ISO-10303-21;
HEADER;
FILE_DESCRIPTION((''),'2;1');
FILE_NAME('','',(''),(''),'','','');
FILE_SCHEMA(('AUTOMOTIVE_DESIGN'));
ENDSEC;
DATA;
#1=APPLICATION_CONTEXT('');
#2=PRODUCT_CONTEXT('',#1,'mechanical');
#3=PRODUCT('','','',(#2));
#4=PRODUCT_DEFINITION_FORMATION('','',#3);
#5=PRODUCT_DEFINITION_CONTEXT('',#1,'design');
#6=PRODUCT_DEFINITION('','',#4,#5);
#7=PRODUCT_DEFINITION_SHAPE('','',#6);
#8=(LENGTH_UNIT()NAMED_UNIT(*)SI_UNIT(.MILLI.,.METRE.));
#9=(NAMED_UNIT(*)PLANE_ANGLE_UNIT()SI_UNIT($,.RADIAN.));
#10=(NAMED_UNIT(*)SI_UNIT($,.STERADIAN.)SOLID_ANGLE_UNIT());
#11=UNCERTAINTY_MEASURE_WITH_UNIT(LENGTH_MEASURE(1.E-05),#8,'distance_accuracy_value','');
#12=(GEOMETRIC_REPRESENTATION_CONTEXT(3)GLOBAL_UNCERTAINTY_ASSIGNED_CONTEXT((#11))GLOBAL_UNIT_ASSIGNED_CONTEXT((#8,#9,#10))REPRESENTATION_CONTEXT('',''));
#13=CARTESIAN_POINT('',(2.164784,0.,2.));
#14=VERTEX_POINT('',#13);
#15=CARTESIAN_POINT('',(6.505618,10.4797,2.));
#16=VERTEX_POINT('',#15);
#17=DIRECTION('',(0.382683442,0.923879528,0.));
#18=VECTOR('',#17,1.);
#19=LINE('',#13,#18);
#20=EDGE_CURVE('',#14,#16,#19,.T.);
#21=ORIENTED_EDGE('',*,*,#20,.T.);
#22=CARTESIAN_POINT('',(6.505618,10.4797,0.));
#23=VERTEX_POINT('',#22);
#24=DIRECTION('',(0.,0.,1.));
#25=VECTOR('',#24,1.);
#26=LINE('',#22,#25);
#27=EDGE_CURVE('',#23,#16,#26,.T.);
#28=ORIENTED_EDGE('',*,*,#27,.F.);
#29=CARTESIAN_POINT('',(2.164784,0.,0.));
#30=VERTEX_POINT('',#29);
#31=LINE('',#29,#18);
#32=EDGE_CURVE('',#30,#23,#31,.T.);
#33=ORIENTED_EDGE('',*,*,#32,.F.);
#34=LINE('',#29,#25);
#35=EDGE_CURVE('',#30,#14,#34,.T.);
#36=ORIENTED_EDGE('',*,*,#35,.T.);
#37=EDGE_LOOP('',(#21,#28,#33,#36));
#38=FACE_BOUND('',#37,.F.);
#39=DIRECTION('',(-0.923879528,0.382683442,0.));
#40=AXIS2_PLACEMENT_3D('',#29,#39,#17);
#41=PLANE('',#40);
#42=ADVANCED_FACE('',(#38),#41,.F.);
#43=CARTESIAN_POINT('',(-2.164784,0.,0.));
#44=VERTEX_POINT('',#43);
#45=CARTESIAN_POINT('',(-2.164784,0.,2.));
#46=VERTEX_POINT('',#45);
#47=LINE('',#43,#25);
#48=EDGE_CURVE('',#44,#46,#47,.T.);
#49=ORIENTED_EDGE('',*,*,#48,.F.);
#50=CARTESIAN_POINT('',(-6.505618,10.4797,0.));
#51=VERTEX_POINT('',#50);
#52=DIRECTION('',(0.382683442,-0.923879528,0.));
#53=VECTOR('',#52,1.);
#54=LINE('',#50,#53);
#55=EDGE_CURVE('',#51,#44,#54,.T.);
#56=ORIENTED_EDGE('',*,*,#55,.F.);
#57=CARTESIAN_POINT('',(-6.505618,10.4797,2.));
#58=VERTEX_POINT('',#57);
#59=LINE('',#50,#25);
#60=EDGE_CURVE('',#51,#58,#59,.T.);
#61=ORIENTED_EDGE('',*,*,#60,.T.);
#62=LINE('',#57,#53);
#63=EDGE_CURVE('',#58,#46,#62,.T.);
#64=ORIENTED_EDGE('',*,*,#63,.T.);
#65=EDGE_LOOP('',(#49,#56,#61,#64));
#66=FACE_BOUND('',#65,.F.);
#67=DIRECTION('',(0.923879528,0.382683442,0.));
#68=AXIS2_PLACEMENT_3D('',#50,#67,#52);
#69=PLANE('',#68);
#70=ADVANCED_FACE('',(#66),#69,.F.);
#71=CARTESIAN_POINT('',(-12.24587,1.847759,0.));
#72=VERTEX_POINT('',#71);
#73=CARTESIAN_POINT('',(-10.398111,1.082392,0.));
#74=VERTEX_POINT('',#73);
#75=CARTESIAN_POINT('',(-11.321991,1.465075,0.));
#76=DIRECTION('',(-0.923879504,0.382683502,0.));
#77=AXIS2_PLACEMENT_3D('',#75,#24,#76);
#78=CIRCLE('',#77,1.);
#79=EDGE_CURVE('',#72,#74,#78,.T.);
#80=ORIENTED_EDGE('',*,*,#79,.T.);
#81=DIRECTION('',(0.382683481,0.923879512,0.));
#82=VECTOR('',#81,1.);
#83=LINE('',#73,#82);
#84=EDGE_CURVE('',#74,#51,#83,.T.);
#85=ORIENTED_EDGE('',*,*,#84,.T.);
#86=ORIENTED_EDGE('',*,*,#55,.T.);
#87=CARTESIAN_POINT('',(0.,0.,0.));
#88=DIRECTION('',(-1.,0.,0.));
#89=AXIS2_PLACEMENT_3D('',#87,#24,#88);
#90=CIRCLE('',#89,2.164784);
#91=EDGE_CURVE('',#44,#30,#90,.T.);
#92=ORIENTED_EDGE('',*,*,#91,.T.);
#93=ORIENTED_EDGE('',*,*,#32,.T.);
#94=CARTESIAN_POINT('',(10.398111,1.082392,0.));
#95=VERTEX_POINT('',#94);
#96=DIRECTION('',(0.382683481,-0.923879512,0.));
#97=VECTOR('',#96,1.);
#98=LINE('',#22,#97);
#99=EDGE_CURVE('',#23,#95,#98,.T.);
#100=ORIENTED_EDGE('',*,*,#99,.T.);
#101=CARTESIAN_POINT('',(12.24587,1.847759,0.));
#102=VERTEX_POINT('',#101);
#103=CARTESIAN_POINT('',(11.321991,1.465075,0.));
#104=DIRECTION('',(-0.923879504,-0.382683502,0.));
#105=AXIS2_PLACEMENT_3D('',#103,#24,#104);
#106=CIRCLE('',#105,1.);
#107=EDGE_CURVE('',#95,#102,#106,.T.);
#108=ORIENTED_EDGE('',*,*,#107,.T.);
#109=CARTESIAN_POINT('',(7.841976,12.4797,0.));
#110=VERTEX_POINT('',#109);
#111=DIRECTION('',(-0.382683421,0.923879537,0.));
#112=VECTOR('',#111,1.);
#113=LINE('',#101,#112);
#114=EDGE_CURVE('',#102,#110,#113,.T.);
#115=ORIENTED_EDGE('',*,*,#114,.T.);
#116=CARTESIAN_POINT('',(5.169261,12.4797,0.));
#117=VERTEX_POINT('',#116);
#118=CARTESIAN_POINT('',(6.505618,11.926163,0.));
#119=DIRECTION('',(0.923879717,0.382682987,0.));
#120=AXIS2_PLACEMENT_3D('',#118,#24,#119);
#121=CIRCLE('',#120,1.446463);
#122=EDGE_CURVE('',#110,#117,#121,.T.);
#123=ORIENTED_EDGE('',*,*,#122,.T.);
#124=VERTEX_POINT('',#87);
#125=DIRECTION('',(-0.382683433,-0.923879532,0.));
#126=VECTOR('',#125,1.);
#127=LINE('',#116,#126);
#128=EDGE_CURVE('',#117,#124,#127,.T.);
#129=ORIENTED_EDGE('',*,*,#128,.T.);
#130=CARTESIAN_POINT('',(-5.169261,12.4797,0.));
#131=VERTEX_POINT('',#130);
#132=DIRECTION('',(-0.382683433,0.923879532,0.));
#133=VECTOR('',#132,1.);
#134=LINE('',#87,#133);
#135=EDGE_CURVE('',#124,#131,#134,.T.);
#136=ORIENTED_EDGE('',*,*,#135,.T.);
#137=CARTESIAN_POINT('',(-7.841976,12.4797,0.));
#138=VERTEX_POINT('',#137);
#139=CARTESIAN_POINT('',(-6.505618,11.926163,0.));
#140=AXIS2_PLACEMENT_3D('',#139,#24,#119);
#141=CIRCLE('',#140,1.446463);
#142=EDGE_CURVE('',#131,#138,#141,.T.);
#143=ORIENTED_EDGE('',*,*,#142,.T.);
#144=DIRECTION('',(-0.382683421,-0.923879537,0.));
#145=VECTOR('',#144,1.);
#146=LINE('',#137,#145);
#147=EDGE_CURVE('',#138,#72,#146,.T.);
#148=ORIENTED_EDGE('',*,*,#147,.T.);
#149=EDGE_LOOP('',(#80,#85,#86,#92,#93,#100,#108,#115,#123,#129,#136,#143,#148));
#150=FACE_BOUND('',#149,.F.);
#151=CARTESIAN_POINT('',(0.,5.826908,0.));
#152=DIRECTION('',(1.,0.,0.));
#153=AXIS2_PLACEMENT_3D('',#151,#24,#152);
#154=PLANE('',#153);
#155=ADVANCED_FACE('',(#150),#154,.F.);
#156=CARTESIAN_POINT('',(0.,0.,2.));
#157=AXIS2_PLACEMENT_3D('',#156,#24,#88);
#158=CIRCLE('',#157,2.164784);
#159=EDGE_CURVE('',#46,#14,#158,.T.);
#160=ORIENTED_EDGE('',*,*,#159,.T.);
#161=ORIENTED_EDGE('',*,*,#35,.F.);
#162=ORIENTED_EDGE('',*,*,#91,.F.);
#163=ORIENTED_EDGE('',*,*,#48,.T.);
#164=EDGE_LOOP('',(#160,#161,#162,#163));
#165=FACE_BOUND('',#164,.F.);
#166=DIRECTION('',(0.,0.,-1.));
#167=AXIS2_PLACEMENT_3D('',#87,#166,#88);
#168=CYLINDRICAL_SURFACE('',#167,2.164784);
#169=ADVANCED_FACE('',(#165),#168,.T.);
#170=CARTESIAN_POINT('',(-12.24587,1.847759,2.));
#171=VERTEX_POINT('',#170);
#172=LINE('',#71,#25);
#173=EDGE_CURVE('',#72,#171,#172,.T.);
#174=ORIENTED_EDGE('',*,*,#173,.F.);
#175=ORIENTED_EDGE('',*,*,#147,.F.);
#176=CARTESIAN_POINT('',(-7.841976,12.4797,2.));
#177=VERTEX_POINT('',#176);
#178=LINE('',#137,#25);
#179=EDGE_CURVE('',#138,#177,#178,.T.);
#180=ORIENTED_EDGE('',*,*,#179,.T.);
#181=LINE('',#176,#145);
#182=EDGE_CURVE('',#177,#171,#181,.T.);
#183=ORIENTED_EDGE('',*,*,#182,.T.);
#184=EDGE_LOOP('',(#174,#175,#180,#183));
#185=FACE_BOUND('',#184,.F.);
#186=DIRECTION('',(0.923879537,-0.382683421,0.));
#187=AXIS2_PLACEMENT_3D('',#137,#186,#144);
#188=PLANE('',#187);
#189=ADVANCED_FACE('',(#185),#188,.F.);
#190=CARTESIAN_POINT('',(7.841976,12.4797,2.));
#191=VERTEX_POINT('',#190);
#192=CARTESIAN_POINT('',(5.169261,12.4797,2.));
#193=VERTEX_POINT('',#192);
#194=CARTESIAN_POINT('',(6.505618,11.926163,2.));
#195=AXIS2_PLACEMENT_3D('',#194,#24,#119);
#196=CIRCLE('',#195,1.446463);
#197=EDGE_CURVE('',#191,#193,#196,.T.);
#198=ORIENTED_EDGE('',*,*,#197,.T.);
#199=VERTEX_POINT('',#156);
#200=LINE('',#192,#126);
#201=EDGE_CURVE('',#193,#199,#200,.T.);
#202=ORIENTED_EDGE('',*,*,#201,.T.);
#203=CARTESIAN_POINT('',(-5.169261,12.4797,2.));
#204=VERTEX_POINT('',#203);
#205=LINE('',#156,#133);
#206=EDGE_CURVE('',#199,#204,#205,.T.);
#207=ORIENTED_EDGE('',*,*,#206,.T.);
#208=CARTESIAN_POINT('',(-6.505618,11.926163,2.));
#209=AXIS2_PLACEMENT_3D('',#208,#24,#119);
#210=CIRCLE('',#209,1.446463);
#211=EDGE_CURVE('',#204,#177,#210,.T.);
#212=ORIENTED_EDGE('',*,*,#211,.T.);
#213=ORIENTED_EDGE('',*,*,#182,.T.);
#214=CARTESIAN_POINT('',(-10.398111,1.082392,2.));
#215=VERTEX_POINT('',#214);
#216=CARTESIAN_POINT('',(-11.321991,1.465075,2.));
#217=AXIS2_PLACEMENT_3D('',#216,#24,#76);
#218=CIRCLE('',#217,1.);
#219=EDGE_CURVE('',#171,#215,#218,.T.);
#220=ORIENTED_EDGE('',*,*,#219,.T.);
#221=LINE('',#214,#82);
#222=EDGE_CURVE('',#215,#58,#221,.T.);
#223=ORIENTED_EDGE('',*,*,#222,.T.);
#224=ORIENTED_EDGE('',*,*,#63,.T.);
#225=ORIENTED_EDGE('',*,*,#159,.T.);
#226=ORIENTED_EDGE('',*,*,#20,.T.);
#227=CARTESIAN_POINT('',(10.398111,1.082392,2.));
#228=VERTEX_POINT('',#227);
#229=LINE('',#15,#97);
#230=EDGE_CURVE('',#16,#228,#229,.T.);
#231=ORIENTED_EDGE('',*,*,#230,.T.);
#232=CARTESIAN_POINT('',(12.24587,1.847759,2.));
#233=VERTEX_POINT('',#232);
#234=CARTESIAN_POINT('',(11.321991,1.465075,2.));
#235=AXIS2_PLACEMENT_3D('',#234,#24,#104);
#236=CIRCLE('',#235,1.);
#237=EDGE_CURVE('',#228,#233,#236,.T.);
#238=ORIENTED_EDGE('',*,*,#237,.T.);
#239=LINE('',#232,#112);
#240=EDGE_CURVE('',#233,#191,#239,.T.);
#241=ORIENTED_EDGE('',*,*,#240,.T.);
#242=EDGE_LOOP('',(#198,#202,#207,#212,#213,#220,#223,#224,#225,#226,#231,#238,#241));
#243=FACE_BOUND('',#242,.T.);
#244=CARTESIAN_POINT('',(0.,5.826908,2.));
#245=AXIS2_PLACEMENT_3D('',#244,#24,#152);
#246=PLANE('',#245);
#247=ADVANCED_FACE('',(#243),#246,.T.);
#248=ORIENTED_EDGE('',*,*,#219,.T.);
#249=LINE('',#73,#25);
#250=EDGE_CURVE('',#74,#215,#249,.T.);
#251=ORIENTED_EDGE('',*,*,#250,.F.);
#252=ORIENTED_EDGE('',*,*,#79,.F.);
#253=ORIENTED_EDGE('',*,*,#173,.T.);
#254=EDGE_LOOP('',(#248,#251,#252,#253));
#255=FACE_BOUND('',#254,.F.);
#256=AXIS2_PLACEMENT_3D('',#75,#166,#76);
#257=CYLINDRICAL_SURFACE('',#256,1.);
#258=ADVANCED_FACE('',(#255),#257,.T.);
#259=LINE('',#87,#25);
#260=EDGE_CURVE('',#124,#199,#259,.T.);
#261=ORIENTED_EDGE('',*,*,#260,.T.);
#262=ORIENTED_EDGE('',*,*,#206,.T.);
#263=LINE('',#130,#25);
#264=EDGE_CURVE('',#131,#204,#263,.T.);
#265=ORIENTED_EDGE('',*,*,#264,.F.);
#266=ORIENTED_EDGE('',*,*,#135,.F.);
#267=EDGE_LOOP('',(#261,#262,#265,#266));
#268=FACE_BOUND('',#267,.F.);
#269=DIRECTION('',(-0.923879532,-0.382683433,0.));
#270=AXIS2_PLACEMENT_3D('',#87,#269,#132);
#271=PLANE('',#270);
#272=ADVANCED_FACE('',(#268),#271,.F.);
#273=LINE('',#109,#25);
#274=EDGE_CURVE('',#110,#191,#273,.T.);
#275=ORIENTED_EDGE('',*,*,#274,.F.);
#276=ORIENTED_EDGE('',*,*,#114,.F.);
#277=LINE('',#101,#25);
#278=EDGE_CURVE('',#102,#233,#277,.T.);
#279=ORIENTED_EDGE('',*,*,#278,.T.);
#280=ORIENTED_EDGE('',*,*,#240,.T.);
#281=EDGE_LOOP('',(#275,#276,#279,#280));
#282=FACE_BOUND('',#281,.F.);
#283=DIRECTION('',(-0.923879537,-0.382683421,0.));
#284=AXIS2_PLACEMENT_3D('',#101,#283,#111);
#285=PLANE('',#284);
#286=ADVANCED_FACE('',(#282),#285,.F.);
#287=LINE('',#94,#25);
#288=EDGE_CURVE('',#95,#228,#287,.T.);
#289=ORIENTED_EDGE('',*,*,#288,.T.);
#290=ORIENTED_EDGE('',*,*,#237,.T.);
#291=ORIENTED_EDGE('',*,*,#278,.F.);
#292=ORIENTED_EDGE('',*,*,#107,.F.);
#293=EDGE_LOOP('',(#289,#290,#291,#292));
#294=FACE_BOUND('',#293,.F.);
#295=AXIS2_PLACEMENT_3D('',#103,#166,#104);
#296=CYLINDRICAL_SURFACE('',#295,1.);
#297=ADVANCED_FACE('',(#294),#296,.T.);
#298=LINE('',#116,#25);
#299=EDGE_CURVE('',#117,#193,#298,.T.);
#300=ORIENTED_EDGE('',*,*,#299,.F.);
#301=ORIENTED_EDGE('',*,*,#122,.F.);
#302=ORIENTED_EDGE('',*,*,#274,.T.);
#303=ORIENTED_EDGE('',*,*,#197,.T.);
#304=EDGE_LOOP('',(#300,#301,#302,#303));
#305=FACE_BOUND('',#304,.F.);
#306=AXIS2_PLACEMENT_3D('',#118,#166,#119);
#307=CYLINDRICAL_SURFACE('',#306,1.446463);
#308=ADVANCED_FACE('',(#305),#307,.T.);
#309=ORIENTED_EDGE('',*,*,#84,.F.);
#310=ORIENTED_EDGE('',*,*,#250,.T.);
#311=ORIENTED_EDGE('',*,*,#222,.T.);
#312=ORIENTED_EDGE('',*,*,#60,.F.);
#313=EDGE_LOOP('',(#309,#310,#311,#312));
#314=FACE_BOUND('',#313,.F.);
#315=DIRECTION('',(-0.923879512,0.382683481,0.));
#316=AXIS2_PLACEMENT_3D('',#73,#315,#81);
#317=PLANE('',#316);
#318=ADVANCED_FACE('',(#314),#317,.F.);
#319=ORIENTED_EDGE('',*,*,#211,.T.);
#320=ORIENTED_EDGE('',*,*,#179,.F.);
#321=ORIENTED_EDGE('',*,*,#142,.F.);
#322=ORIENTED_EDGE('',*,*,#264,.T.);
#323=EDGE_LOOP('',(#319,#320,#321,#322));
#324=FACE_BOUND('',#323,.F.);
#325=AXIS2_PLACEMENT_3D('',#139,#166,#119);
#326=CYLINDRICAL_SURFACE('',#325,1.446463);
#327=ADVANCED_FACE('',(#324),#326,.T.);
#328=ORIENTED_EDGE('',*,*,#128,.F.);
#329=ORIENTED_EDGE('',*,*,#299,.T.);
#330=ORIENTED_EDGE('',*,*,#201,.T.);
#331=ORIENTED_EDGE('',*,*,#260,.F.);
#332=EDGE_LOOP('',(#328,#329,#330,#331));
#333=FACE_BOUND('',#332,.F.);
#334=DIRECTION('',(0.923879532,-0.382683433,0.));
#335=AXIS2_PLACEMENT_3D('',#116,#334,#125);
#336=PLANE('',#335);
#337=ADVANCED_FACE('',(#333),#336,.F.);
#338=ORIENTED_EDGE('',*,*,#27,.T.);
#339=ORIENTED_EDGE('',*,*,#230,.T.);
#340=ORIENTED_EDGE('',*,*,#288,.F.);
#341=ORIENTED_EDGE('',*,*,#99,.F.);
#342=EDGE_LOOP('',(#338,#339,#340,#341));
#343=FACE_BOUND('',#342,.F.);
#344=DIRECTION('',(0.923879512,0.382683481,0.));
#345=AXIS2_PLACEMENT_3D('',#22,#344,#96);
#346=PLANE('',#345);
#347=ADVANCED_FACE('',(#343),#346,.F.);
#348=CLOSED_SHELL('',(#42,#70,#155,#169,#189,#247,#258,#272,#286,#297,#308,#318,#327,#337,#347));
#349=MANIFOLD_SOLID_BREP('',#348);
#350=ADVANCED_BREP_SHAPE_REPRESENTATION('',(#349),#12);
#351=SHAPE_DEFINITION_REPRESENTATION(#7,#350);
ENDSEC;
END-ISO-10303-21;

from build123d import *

# Parameters (mm, degrees)
F1_DEPTH = 2


with BuildPart() as f1:
    # F0 (on Top) → F1 (new body)
    with BuildSketch(Plane.XY):
        with BuildLine():
            Line((5.169261, 12.4797), (0, 0))
            Line((0, 0), (-5.169261, 12.4797))
            ThreePointArc((-5.169261, 12.4797), (-6.505618, 13.372626), (-7.841976, 12.4797))
            Line((-7.841976, 12.4797), (-12.24587, 1.847759))
            ThreePointArc((-12.24587, 1.847759), (-11.704674, 0.541196), (-10.398111, 1.082392))
            Line((-10.398111, 1.082392), (-6.505618, 10.4797))
            Line((-6.505618, 10.4797), (-2.164784, 0))
            ThreePointArc((-2.164784, 0), (0, -2.164784), (2.164784, 0))
            Line((2.164784, 0), (6.505618, 10.4797))
            Line((6.505618, 10.4797), (10.398111, 1.082392))
            ThreePointArc((10.398111, 1.082392), (10.939307, 0.541196), (11.704674, 0.541196))
            ThreePointArc((11.704674, 0.541196), (12.24587, 1.082392), (12.24587, 1.847759))
            Line((12.24587, 1.847759), (7.841976, 12.4797))
            ThreePointArc((7.841976, 12.4797), (6.505618, 13.372626), (5.169261, 12.4797))
        make_face()
    extrude(amount=F1_DEPTH)


solid = f1.part
